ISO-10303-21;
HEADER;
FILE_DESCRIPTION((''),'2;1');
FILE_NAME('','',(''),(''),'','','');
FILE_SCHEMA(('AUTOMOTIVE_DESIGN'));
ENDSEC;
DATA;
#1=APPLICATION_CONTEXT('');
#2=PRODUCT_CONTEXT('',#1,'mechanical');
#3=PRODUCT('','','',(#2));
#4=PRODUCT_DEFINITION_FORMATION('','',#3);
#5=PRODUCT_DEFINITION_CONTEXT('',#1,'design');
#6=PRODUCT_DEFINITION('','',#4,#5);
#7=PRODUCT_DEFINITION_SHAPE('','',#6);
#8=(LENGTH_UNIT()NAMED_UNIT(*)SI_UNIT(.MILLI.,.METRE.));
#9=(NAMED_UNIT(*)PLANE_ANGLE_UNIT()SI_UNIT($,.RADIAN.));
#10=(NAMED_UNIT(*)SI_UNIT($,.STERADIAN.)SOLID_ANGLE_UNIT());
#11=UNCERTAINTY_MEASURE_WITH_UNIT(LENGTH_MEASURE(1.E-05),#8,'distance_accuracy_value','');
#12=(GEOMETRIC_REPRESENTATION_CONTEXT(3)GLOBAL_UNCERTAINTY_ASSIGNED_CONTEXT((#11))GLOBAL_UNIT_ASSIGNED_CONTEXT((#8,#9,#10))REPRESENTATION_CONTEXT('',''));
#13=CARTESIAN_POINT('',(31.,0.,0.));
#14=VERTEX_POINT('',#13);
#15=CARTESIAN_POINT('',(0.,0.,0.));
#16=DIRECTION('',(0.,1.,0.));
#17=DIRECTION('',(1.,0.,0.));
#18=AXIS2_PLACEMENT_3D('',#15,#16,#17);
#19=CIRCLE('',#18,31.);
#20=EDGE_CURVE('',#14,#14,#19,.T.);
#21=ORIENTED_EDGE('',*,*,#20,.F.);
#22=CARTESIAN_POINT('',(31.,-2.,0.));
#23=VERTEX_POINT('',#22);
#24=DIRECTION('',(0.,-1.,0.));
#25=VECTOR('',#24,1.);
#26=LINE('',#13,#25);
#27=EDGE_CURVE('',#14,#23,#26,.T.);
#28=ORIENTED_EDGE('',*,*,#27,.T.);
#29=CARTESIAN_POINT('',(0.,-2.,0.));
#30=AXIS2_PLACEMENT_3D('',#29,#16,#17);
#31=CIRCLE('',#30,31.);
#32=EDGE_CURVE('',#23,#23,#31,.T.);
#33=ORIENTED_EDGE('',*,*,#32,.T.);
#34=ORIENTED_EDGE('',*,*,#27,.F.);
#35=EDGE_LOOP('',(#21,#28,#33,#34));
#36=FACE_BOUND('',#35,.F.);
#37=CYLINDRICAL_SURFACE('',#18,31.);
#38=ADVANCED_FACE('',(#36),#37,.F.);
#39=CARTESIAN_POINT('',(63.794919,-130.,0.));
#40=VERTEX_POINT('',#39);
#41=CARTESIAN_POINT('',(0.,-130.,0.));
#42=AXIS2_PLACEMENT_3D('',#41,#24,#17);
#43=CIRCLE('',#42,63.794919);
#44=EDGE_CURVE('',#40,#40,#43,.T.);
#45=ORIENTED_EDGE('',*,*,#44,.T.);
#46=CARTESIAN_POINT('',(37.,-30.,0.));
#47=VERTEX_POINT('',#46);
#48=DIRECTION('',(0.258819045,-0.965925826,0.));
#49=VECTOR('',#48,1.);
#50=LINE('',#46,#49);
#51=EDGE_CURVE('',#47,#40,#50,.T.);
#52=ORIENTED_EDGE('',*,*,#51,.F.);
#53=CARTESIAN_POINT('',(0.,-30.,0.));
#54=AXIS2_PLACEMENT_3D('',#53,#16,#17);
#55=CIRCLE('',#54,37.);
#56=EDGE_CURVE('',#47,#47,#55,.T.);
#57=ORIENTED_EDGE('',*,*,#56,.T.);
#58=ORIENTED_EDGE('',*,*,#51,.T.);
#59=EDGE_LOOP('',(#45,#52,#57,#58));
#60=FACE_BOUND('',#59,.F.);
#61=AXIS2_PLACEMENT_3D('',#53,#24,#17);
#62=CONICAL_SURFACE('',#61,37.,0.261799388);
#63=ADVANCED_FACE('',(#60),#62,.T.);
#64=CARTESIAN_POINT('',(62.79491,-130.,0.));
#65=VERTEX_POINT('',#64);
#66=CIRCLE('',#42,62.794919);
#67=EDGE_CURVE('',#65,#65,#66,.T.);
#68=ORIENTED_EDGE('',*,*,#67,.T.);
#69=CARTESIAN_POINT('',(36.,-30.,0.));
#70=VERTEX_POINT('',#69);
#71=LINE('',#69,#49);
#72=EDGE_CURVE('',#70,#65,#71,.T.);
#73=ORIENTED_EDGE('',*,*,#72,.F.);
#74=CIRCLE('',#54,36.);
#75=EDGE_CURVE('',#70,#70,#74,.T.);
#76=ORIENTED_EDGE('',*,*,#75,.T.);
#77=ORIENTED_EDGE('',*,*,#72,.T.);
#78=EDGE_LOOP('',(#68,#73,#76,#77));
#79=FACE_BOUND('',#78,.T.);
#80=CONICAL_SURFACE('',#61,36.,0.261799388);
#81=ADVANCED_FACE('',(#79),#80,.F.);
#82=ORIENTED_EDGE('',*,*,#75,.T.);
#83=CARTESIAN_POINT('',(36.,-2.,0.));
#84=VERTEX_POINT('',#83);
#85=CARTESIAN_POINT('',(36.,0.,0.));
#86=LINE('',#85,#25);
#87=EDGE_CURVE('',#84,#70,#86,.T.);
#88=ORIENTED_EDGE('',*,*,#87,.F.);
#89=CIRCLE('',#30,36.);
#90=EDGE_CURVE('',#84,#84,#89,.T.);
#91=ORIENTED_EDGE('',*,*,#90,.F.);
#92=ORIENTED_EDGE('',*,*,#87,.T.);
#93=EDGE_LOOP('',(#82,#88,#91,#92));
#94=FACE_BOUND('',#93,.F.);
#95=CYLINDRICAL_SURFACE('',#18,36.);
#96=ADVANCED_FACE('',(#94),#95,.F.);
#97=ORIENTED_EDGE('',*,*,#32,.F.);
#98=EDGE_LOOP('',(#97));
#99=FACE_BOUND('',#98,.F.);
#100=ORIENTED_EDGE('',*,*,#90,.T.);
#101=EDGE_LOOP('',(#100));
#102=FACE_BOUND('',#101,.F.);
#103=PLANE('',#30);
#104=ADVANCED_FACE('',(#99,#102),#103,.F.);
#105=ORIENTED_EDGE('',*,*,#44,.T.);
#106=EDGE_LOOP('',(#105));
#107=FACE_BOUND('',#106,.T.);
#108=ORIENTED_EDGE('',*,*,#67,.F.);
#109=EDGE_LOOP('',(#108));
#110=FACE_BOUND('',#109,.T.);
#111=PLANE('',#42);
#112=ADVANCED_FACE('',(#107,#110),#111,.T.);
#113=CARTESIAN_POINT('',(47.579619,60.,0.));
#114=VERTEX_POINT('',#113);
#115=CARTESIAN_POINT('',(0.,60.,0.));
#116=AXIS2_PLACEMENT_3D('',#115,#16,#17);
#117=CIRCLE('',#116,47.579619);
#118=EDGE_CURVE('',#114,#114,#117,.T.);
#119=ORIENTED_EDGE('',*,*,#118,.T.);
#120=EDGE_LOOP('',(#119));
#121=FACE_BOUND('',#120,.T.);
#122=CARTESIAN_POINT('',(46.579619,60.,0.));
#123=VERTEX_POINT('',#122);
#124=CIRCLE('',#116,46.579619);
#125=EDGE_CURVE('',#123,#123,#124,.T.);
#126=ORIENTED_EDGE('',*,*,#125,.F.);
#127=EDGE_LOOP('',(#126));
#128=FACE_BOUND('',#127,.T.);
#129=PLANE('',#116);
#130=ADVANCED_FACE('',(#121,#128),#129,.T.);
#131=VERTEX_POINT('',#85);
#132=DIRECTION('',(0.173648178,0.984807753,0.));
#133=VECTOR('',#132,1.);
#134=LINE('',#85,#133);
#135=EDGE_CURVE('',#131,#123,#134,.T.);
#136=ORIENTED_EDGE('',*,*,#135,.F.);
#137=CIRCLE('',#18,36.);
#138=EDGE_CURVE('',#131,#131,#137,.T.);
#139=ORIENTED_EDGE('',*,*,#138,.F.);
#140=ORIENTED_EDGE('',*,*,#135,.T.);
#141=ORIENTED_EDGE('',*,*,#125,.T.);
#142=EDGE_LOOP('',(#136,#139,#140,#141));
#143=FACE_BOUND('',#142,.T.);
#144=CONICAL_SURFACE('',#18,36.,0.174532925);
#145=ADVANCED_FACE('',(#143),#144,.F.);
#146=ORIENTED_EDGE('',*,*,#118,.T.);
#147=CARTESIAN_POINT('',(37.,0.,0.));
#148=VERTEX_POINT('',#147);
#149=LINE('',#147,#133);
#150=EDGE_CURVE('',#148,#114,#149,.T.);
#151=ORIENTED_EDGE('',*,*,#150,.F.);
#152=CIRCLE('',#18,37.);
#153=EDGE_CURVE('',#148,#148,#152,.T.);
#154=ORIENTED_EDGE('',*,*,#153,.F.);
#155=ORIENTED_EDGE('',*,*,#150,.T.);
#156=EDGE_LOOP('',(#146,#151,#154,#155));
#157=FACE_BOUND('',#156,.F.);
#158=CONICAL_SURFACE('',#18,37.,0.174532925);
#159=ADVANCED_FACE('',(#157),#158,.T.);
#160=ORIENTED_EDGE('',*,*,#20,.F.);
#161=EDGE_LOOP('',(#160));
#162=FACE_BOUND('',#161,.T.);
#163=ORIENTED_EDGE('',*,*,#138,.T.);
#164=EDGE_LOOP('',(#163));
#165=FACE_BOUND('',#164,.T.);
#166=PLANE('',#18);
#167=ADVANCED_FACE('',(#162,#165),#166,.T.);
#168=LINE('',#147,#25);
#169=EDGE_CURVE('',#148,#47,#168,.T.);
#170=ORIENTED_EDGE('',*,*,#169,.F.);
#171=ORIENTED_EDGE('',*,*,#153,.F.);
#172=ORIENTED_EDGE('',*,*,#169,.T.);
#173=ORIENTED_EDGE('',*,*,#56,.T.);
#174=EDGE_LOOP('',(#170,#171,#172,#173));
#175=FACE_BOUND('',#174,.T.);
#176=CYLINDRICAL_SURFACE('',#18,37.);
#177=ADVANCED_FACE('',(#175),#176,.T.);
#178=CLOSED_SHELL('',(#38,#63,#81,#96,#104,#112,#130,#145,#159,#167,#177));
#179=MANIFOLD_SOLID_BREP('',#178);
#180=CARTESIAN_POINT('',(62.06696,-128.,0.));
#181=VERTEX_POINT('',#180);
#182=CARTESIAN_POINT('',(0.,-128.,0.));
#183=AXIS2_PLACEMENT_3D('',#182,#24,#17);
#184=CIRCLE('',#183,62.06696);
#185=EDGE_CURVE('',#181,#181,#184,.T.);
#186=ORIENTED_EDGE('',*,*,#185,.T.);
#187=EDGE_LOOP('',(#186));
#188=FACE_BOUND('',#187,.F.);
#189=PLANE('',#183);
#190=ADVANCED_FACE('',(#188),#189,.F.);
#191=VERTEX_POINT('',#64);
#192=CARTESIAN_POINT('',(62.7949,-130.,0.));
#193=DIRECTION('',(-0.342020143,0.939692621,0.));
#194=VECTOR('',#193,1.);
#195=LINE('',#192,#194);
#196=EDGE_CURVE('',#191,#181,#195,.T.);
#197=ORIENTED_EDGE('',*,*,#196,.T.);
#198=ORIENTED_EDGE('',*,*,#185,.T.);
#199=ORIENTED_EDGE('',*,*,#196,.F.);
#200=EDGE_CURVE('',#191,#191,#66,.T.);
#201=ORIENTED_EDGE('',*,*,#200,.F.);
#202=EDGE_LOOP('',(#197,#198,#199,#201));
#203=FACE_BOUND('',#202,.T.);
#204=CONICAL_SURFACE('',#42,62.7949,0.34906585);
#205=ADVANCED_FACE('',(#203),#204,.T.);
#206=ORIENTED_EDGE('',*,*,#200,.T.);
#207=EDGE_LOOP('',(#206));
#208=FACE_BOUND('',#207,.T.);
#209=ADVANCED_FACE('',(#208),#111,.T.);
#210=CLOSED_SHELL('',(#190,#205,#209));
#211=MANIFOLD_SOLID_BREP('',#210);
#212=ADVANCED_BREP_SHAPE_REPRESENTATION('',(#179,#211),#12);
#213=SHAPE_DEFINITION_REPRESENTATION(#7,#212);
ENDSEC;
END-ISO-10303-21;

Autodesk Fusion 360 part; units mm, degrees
sketch "草图1" plane through (0, 0, 0) normal (0, 1, 0) x (1, 0, 0)
  circle A0 centre (0, 0) radius 46.5
  circle A1 centre (0, 0) radius 47.5
  circle A2 centre (0, 0) radius 36
  circle A3 centre (0, 0) radius 37
  circle A4 centre (0, 0) radius 45.5
  circle A5 centre (0, 0) radius 30
  circle A6 centre (0, 0) radius 29
  circle A7 centre (0, 0) radius 31
  dimension "d1" = 93
  dimension "d2" = 95
  dimension "d5" = 72
  dimension "d6" = 74
  dimension "d21" = 91
  dimension "d26" = 60
  dimension "d29" = 58
  dimension "d30" = 62
extrude "拉伸8" add sketch "草图1" along normal blind 60 draft 10 contours A3
extrude "拉伸9" cut sketch "草图1" along normal blind 60 draft 10 contours A2 | A5 | A6 | A7
extrude "拉伸11" add sketch "草图1" against normal blind 30 contours A3
sketch "草图5" plane through (0, -30, 0) normal (0, -1, 0) x (1, 0, 0)
  circle A0 centre (0, 0) radius 36
  circle A1 centre (0, 0) radius 37
extrude "拉伸13" add sketch "草图5" along normal blind 100 draft 15
extrude "拉伸14" cut sketch "草图5" along normal blind 100 draft 15 contours A0
sketch "草图6" plane through (0, -130, 0) normal (0, -1, 0) x (1, 0, 0)
  circle A0 centre (0, 0) radius 62.7949
  circle A1 centre (0, 0) radius 63.7949
extrude "拉伸15" add sketch "草图6" against normal blind 2 draft -20 contours A0
extrude "拉伸16" add sketch "草图1" against normal blind 2 contours A2
sketch "草图7" plane through (0, 60, 0) normal (0, 1, 0) x (-1, 0, 0)
  circle A0 centre (0, 0) radius 46.5796
  circle A1 centre (0, 0) radius 47.5796
